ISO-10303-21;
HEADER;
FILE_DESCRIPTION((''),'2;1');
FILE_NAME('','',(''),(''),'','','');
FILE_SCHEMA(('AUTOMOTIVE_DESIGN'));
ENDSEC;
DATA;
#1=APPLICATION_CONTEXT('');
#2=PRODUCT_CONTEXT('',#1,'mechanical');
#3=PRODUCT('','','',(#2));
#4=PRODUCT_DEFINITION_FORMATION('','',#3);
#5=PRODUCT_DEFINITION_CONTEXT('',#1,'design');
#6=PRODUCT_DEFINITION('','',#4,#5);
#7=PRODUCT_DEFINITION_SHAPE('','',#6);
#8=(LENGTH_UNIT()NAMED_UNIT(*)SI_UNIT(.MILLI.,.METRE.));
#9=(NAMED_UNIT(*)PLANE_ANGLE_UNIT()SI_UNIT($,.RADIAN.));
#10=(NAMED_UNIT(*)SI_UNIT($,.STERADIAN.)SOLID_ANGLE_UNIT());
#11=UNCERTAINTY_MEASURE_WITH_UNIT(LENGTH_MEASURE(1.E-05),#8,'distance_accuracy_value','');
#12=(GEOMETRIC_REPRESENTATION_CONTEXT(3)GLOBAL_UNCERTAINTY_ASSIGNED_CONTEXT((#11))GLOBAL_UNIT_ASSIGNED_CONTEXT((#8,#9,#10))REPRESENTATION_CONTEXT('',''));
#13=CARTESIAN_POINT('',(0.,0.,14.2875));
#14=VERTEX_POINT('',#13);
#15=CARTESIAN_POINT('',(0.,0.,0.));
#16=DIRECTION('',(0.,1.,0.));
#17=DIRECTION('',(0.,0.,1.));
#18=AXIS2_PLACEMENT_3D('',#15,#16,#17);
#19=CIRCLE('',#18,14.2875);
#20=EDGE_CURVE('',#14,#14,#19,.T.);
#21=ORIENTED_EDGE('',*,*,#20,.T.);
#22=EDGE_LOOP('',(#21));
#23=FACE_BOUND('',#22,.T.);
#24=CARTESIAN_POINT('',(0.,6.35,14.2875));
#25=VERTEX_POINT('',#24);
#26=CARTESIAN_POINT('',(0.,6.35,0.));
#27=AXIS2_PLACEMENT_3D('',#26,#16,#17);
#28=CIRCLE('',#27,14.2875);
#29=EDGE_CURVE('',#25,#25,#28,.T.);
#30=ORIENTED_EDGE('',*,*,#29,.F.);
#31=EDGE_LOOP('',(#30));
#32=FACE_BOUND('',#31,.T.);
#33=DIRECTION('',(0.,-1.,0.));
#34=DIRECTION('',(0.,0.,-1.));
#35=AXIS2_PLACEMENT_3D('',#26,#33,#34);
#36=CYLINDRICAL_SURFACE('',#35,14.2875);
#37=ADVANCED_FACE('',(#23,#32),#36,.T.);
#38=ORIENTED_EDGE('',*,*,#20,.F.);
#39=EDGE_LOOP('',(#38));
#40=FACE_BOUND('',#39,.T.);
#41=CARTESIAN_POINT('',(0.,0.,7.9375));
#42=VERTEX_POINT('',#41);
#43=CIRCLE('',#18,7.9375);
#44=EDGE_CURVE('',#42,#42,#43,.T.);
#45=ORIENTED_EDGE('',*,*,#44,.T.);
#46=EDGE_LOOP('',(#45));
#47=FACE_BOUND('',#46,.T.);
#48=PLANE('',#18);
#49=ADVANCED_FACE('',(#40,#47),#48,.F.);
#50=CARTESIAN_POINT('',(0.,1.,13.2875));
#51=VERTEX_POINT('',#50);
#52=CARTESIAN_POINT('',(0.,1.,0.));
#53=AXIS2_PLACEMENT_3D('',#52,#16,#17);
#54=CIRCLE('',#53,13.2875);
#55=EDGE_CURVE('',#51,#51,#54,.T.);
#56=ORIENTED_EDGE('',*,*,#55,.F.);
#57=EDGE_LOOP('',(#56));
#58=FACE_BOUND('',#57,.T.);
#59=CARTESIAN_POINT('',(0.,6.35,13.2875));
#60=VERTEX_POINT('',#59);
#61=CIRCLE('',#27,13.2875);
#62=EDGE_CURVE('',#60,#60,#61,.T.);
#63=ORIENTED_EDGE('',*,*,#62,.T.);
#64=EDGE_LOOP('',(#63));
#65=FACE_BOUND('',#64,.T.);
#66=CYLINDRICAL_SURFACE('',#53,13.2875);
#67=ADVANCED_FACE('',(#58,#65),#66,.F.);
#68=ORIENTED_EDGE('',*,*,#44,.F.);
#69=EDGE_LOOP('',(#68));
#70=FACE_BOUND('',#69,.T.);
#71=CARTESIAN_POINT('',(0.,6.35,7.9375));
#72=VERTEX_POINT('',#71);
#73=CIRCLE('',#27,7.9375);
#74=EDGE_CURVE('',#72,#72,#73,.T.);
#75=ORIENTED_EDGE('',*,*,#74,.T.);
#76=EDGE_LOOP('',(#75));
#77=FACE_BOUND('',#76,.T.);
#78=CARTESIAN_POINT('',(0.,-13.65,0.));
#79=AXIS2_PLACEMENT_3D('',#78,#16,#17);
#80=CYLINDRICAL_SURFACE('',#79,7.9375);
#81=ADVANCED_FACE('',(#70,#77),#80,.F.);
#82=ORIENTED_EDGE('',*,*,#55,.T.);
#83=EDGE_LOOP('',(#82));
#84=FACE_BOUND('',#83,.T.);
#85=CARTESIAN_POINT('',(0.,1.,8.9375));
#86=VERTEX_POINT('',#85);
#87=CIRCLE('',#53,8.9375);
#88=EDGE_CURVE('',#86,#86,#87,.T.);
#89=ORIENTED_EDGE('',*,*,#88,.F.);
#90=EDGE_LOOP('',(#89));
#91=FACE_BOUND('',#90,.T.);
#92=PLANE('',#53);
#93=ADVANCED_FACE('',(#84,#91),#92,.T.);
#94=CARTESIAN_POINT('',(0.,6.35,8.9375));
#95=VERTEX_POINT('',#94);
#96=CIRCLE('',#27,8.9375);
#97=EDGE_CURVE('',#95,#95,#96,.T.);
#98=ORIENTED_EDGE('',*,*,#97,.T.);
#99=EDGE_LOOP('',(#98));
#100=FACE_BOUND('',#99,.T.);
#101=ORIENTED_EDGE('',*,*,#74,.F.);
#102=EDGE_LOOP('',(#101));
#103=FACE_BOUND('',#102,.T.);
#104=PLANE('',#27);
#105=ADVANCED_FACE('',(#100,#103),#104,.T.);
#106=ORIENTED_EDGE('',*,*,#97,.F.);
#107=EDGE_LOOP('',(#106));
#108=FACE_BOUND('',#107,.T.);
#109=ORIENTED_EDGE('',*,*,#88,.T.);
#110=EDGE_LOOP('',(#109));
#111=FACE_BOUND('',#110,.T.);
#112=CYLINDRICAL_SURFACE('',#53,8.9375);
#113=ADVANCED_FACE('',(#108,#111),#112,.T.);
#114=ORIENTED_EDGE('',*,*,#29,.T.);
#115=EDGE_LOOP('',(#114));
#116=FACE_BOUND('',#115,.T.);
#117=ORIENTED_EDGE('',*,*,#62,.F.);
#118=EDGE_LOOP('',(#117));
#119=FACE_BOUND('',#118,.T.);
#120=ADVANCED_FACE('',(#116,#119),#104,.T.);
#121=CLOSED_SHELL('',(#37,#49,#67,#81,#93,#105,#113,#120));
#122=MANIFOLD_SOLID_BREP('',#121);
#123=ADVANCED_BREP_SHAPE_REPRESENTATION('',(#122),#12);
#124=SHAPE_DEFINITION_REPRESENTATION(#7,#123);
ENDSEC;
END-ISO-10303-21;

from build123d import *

# Parameters (mm, degrees)
SKETCH1_R            = 14.2875
MAIN_EXTRUSION_DEPTH = 6.35
SKETCH2_R            = 7.9375
ID_BORE_DEPTH        = 20
SKETCH3_R            = 13.2875
SKETCH3_R_2          = 8.9375
SEAL_RECESS_DEPTH    = 5.35


with BuildPart() as part:
    # Sketch1 → main extrusion (new body)
    with BuildSketch(Plane(origin=(0, 0, 0), x_dir=(1, 0, 0), z_dir=(0, 1, 0))):
        with Locations(Location((0, 0, 0), (0, 0, 270))):
            Circle(SKETCH1_R)
    extrude(amount=MAIN_EXTRUSION_DEPTH)

    # Sketch2 → ID bore (cut)
    with BuildSketch(Plane(origin=(0, 6.35, 0), x_dir=(1, 0, 0), z_dir=(0, 1, 0))):
        with Locations(Location((0, 0, 0), (0, 0, 270))):
            Circle(SKETCH2_R)
    extrude(amount=-ID_BORE_DEPTH, mode=Mode.SUBTRACT)

    # Sketch3 → seal recess (cut)
    with BuildSketch(Plane(origin=(0, 6.35, 0), x_dir=(1, 0, 0), z_dir=(0, 1, 0))):
        with Locations(Location((0, 0, 0), (0, 0, 270))):
            Circle(SKETCH3_R)
        with Locations(Location((0, 0, 0), (0, 0, 270))):
            Circle(SKETCH3_R_2, mode=Mode.SUBTRACT)
    extrude(amount=-SEAL_RECESS_DEPTH, mode=Mode.SUBTRACT)


solid = part.part
